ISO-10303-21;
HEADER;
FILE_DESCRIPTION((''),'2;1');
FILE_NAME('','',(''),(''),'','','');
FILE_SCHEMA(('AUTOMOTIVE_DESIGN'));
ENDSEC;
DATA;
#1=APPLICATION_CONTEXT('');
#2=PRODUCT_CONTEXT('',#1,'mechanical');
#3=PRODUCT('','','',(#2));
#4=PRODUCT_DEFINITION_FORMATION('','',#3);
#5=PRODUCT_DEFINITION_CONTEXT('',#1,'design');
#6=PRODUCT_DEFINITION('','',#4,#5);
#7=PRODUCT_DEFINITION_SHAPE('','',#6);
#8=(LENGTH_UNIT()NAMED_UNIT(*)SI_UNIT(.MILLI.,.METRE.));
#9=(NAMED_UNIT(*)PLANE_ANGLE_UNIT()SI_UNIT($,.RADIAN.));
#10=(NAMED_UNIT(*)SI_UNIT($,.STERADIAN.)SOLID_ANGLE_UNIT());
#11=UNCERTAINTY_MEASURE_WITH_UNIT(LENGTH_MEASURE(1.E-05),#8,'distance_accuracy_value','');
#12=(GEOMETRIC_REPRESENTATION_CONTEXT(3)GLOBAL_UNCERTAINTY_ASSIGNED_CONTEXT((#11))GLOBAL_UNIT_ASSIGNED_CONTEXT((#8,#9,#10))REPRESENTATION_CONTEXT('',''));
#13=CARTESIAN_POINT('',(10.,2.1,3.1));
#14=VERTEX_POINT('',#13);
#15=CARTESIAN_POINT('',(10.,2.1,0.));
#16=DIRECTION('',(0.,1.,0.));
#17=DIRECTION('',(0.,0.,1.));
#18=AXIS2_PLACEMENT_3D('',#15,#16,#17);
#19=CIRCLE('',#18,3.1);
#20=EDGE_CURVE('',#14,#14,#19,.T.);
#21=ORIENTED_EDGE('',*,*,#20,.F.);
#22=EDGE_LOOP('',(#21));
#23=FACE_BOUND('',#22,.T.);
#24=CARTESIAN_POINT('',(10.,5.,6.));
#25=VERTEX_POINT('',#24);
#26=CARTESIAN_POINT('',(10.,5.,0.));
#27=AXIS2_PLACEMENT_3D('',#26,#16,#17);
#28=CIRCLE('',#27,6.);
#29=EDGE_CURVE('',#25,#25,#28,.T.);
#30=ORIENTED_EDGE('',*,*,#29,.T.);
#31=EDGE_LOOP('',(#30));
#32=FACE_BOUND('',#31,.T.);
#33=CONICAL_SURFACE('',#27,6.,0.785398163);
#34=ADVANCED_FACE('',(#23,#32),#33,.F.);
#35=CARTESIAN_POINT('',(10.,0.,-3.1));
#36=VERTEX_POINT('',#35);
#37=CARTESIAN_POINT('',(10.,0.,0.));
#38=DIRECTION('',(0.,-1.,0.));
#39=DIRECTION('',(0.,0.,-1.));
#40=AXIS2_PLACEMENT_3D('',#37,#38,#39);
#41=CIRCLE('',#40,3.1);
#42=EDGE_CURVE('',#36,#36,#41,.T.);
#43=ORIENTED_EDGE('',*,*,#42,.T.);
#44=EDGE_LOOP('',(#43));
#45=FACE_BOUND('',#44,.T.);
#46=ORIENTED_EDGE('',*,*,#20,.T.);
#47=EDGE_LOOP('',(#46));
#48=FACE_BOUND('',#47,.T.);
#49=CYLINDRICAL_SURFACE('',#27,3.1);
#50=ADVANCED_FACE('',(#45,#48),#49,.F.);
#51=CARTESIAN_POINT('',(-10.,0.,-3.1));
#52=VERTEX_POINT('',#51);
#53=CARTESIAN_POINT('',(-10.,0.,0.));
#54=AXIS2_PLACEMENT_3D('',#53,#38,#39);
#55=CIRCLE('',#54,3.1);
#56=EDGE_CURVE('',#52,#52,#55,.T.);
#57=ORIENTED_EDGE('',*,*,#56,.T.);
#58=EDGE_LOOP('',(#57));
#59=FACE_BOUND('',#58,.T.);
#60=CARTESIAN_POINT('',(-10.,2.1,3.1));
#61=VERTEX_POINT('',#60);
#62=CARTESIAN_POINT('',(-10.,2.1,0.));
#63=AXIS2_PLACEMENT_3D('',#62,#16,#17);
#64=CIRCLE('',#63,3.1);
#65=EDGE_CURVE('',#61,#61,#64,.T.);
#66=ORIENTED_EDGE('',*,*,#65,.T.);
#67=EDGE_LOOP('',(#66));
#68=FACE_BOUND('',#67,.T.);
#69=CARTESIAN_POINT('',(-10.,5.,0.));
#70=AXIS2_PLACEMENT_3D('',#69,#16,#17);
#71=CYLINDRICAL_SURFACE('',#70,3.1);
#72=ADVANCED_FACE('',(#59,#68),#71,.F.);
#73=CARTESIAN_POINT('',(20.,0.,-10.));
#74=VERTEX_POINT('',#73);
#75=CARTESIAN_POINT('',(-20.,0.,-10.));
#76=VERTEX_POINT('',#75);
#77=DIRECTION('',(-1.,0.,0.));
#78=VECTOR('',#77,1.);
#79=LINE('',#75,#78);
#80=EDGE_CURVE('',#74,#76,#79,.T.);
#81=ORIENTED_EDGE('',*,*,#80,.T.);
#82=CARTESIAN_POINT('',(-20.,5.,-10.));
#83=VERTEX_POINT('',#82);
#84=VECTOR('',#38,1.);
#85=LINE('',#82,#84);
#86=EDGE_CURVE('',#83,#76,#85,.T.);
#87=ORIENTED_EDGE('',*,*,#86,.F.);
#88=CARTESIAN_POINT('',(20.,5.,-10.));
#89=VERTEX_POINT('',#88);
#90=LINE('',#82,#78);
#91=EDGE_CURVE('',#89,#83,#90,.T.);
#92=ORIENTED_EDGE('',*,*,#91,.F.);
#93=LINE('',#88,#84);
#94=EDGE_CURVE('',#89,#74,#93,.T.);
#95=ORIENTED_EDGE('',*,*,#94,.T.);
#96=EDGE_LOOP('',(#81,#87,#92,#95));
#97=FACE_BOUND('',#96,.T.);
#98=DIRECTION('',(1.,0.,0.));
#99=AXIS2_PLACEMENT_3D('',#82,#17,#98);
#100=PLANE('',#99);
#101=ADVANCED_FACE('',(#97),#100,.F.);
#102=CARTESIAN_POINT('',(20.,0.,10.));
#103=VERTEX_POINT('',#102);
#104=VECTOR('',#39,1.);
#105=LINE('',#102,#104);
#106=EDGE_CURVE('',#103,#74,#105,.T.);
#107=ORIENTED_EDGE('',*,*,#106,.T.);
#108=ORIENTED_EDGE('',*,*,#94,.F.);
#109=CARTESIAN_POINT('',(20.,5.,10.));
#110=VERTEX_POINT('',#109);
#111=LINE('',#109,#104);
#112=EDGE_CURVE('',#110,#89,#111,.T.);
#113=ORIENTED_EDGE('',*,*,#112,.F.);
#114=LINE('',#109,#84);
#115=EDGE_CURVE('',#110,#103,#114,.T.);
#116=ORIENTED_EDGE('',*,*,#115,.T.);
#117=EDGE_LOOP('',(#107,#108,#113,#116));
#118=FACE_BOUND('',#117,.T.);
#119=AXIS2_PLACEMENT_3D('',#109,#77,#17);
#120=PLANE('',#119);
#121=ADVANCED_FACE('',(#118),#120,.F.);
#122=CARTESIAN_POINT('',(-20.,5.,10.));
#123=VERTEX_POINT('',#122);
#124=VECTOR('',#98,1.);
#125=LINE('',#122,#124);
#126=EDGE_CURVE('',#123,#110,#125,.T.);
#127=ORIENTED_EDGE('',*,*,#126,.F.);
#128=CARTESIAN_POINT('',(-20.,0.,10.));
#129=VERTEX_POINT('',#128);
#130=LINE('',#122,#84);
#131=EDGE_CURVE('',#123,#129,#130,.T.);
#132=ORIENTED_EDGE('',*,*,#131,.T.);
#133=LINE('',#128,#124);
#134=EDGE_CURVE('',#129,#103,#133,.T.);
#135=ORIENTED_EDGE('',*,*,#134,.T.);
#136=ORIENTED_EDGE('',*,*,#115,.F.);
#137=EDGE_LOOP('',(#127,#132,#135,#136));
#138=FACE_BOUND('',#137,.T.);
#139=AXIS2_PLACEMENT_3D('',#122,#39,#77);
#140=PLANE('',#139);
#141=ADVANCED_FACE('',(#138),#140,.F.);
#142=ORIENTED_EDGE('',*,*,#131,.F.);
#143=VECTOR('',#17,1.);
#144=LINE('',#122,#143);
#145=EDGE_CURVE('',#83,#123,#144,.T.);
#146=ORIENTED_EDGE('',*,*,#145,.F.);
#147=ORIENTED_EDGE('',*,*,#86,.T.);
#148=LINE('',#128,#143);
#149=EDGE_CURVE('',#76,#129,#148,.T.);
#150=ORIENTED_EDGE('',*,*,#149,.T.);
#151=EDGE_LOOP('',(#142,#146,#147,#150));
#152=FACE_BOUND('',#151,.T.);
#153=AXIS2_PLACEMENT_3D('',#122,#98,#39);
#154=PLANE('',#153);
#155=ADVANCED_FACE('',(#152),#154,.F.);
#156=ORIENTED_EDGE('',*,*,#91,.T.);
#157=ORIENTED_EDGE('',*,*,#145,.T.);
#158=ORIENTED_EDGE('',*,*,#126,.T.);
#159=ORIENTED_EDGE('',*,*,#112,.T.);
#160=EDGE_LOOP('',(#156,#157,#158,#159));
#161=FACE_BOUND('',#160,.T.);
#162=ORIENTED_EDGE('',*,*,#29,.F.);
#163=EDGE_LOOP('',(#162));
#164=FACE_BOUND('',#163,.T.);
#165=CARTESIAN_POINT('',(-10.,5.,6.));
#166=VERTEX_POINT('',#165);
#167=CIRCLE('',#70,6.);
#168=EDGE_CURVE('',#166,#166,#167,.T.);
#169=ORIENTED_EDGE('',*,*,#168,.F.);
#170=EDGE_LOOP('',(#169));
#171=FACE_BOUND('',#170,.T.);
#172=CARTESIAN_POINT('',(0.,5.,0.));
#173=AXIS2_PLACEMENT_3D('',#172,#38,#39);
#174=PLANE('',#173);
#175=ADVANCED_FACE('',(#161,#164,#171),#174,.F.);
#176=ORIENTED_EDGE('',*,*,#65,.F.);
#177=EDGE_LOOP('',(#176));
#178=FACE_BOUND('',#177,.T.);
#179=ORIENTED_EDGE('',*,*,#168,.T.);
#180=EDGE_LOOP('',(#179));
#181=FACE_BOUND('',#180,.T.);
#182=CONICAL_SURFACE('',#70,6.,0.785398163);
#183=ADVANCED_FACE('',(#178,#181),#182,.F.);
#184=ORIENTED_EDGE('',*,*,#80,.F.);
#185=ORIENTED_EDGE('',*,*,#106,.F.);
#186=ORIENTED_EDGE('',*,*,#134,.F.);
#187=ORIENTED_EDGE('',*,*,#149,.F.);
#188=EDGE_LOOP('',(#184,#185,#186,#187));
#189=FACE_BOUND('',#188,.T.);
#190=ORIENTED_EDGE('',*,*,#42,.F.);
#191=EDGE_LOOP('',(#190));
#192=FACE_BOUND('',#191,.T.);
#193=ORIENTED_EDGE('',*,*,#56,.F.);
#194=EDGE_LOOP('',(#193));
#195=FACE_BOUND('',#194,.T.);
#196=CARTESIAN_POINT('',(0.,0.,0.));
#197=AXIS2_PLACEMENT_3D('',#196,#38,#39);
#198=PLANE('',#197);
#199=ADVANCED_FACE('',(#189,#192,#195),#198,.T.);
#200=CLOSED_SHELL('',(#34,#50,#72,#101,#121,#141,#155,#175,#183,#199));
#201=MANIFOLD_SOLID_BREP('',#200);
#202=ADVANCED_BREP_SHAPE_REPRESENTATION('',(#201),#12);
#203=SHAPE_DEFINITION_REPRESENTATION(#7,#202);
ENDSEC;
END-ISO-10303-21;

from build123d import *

# Parameters (mm, degrees)
SKETCH_1_W               = 40
SKETCH_1_H               = 20
EXTRUDE_1_DEPTH          = 5
HOLE_WIZARD_1_AT_2_COUNT = 2
HOLE_WIZARD_1_AT_2_PITCH = 20


with BuildPart() as part:
    # 草图1 → 凸台-拉伸1 (new body)
    with BuildSketch(Plane(origin=(0, 0, 0), x_dir=(1, 0, 0), z_dir=(0, 1, 0))):
        Rectangle(SKETCH_1_W, SKETCH_1_H)
    extrude(amount=EXTRUDE_1_DEPTH)

    # 草图3 → 打孔尺寸(%根据)内六角花形半沉头螺钉的类型1 (revolve, cut)
    with BuildSketch(Plane(origin=(-10, 5, 0), x_dir=(0, 0, 1), z_dir=(1, 0, 0))):
        Polygon((0, 0), (0, 5), (3.1, 5), (3.1, 2.9), (6, 0), align=None)
    hole_wizard_1 = revolve(axis=Axis((-10, 11.35, 0), (0, -1, 0)), mode=Mode.SUBTRACT)

    # 打孔尺寸(%根据)内六角花形半沉头螺钉的类型1 at 2: 打孔尺寸(%根据)内六角花形半沉头螺钉的类型1 ×2
    with Locations(*[(i * HOLE_WIZARD_1_AT_2_PITCH, 0, 0) for i in range(1, HOLE_WIZARD_1_AT_2_COUNT)]):
        add(hole_wizard_1, mode=Mode.SUBTRACT)


solid = part.part
